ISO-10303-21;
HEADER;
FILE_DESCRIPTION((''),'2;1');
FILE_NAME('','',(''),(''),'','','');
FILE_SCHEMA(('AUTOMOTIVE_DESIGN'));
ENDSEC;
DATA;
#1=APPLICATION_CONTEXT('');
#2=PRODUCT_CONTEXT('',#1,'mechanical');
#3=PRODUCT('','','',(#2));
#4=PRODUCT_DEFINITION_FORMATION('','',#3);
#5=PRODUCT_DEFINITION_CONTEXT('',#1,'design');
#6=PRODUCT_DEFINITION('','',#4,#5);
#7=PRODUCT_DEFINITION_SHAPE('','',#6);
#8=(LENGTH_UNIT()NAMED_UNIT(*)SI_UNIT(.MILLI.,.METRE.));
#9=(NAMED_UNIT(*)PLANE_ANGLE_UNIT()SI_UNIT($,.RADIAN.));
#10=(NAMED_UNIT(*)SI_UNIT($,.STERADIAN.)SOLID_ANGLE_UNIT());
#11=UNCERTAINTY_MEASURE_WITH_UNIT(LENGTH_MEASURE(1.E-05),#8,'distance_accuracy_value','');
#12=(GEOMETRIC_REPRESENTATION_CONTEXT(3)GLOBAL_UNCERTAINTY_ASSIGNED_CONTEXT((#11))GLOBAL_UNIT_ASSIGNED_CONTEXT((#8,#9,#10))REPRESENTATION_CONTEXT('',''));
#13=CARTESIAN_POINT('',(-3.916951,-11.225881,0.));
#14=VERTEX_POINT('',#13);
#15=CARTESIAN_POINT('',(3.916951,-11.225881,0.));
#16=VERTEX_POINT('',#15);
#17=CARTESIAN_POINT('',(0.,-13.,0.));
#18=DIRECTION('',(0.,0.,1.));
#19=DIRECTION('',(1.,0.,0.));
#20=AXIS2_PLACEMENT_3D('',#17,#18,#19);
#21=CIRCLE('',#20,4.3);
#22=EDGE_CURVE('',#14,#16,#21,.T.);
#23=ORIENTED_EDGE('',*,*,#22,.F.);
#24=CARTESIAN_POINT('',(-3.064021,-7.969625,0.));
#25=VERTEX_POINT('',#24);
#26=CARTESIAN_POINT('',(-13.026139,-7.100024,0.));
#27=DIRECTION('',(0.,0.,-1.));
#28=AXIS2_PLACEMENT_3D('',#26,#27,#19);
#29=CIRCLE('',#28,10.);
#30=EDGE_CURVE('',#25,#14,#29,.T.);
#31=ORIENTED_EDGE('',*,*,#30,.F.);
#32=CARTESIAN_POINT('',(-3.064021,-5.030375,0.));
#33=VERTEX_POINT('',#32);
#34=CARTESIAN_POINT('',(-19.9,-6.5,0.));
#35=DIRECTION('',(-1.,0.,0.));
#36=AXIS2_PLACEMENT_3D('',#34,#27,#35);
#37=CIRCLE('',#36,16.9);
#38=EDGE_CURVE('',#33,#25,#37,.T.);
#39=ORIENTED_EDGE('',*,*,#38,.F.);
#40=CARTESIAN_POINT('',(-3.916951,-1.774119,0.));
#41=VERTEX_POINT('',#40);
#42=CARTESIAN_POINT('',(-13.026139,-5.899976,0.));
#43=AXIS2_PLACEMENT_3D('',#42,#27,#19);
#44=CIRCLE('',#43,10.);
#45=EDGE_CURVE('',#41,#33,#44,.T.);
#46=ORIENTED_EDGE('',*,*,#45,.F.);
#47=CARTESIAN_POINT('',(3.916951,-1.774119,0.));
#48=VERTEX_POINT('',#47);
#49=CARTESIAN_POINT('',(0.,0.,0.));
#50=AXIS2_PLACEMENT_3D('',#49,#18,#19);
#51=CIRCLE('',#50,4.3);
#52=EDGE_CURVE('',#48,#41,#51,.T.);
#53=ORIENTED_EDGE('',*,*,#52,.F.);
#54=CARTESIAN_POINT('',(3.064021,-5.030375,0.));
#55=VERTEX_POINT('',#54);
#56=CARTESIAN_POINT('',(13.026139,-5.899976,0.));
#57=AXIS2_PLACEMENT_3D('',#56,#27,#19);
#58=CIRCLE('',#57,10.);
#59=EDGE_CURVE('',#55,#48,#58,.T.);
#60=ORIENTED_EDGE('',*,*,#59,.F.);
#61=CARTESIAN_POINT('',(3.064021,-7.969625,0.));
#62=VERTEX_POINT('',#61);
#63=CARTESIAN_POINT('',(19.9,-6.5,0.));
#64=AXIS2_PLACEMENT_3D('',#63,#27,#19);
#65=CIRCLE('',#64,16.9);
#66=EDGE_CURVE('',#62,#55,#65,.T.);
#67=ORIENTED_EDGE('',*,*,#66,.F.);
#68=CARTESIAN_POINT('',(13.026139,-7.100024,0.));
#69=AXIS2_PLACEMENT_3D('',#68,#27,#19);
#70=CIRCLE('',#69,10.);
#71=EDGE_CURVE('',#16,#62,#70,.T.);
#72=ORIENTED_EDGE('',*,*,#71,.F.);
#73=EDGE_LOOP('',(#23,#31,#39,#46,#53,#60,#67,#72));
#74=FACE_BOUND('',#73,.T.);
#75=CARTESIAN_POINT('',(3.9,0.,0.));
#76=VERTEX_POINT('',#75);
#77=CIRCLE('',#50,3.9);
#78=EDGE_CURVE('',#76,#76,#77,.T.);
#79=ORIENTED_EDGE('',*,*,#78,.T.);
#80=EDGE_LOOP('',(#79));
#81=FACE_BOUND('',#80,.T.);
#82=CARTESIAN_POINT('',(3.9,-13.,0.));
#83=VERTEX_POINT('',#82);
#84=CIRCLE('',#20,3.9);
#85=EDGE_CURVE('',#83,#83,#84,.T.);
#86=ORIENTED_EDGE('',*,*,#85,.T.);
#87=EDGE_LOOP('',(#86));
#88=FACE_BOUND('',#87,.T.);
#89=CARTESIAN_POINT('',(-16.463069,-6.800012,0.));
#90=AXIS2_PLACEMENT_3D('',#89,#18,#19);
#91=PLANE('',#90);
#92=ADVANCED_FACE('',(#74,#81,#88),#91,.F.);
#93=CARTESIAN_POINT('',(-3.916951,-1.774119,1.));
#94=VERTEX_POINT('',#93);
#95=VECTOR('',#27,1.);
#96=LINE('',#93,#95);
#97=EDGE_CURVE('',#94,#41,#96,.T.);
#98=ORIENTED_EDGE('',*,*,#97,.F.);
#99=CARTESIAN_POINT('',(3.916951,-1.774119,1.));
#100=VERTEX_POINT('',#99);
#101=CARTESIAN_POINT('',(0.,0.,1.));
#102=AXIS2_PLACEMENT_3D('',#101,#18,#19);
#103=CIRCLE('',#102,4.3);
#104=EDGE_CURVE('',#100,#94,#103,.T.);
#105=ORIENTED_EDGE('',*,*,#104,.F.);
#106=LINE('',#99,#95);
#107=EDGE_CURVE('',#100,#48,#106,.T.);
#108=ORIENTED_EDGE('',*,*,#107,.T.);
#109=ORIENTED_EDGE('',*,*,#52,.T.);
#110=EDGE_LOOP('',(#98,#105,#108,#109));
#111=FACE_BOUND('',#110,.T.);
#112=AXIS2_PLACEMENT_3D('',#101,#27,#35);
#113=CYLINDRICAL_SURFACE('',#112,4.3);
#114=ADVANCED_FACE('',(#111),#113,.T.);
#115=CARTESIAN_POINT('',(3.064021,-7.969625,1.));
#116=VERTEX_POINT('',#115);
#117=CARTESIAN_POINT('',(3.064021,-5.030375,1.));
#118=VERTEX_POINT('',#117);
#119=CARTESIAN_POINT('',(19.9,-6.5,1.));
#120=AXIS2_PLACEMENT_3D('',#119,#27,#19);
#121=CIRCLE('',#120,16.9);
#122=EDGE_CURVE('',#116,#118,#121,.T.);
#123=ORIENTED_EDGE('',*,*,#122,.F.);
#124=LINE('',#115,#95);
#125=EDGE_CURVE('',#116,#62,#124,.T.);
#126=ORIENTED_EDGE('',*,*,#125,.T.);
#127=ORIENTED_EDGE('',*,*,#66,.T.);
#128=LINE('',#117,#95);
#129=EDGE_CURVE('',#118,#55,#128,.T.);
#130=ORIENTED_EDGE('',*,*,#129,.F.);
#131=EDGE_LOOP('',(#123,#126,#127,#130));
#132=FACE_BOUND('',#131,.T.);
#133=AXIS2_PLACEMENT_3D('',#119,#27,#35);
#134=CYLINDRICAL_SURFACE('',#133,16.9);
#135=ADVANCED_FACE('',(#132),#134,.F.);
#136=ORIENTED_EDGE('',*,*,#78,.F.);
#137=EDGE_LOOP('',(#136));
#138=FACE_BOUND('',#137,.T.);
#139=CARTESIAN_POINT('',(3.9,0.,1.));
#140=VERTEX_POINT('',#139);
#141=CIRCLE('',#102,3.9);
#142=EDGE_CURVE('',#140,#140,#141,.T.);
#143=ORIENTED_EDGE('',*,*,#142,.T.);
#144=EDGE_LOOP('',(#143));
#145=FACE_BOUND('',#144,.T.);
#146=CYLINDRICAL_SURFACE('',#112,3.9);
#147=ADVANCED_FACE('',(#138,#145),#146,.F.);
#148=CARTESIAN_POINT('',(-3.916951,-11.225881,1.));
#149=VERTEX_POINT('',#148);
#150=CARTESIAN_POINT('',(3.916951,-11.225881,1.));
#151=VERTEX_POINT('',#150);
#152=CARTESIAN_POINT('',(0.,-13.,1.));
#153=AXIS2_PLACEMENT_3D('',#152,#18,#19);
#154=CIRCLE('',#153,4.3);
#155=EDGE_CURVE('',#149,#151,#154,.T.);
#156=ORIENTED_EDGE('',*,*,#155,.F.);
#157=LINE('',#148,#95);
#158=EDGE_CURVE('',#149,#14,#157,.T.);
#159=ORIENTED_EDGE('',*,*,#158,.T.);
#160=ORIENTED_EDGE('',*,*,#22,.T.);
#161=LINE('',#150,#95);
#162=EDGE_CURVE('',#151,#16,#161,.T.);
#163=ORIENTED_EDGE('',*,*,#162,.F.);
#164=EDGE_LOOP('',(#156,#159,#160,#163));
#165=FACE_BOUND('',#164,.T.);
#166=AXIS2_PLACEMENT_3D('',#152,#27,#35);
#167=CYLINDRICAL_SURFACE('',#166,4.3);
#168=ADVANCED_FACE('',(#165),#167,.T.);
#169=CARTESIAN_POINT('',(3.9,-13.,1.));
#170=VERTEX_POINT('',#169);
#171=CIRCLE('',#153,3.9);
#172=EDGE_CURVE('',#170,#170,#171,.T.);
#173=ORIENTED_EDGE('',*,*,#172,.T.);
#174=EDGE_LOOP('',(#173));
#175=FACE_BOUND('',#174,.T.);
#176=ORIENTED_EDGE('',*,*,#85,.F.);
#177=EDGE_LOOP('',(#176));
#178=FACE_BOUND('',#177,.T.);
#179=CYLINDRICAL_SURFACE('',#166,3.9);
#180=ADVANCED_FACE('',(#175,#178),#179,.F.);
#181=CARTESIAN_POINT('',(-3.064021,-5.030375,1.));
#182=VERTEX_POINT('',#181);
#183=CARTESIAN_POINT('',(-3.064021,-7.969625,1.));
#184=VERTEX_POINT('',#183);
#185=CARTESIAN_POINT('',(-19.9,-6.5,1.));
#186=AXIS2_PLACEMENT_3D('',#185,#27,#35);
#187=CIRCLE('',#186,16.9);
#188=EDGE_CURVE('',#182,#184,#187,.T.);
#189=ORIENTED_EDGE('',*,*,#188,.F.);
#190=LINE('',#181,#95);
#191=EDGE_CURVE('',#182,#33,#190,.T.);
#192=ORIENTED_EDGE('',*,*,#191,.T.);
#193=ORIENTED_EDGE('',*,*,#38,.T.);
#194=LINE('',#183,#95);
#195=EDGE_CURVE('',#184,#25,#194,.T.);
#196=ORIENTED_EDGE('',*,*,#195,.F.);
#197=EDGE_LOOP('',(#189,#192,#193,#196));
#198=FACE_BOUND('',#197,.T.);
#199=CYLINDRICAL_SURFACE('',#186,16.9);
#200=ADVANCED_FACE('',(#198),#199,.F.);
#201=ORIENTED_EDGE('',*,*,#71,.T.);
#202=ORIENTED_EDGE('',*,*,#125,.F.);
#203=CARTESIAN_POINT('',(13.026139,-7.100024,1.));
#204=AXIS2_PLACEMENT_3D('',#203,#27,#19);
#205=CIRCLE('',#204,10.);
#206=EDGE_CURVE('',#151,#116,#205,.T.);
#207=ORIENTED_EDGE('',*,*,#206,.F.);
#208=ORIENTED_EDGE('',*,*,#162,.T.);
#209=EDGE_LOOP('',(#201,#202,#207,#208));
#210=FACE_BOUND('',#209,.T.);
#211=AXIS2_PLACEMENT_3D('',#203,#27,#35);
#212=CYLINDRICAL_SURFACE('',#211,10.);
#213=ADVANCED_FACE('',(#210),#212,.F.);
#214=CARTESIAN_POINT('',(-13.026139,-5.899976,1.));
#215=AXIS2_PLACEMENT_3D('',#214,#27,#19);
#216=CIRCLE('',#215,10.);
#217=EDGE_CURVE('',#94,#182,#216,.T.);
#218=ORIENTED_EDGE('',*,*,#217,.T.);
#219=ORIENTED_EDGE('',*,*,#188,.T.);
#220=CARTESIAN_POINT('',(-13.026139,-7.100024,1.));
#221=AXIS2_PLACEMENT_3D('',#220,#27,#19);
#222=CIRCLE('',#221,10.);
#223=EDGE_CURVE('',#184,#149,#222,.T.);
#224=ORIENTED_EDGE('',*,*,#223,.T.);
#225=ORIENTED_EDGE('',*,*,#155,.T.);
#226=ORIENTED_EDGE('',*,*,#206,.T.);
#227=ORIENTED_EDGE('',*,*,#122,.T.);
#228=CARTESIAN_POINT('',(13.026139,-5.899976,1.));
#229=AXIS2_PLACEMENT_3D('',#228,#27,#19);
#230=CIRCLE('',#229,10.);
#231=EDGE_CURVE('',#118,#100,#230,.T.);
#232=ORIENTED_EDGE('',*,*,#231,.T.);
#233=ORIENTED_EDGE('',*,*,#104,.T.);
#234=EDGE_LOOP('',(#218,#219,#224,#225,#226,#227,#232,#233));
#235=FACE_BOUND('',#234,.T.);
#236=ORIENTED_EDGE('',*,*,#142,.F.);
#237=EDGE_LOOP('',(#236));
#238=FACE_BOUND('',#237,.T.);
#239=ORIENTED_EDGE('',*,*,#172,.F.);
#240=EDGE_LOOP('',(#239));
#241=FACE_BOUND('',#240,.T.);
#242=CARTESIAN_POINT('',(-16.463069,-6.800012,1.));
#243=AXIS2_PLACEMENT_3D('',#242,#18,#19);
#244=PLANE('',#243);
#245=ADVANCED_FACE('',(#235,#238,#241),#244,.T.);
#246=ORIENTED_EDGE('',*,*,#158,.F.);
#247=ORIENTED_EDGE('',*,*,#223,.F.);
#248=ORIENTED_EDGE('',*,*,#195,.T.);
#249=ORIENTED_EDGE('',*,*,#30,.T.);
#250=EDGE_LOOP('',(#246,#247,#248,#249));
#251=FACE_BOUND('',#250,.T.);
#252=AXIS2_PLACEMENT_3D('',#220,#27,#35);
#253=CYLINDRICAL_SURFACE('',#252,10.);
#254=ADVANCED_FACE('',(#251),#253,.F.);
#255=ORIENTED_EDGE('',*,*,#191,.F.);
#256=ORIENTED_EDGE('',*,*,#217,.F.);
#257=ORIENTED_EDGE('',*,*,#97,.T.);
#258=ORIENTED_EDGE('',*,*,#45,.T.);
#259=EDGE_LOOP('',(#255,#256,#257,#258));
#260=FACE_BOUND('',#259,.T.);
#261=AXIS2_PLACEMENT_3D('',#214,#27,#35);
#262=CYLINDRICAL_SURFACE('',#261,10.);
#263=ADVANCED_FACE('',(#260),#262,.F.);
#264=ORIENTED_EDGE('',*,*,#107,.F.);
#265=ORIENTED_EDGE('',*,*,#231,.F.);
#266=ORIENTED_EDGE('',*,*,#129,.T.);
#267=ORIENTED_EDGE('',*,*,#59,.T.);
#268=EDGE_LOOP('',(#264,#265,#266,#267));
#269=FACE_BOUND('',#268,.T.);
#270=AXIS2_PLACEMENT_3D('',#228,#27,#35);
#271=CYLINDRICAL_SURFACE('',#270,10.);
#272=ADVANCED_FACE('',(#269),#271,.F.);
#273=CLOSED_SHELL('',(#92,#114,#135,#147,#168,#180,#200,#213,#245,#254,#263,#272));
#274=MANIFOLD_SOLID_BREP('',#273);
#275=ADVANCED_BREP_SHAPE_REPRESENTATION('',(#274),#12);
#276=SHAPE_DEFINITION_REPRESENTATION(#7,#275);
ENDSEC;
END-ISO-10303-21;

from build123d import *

# Parameters (mm, degrees)
SKETCH_1_R      = 3.9
EXTRUDE_1_DEPTH = 1


with BuildPart() as part:
    # Эскиз1 → Вытянуть1 (new body)
    with BuildSketch(Plane.XY):
        with BuildLine():
            ThreePointArc((3.91695076, -1.774118582), (0, 4.3), (-3.91695076, -1.774118582))
            ThreePointArc((-3.91695076, -1.774118582), (-3.352489907, -3.366100957), (-3.064020566, -5.030375386))
            ThreePointArc((-3.064020566, -5.030375386), (-3, -6.5), (-3.064020566, -7.969624614))
            ThreePointArc((-3.064020566, -7.969624614), (-3.352489907, -9.633899043), (-3.91695076, -11.225881418))
            ThreePointArc((-3.91695076, -11.225881418), (0, -17.3), (3.91695076, -11.225881418))
            ThreePointArc((3.91695076, -11.225881418), (3.352489907, -9.633899043), (3.064020566, -7.969624614))
            ThreePointArc((3.064020566, -7.969624614), (3, -6.5), (3.064020566, -5.030375386))
            ThreePointArc((3.064020566, -5.030375386), (3.352489907, -3.366100957), (3.91695076, -1.774118582))
        make_face()
        Circle(SKETCH_1_R, mode=Mode.SUBTRACT)
        with Locations((0, -13)):
            Circle(SKETCH_1_R, mode=Mode.SUBTRACT)
    extrude(amount=EXTRUDE_1_DEPTH)


solid = part.part
